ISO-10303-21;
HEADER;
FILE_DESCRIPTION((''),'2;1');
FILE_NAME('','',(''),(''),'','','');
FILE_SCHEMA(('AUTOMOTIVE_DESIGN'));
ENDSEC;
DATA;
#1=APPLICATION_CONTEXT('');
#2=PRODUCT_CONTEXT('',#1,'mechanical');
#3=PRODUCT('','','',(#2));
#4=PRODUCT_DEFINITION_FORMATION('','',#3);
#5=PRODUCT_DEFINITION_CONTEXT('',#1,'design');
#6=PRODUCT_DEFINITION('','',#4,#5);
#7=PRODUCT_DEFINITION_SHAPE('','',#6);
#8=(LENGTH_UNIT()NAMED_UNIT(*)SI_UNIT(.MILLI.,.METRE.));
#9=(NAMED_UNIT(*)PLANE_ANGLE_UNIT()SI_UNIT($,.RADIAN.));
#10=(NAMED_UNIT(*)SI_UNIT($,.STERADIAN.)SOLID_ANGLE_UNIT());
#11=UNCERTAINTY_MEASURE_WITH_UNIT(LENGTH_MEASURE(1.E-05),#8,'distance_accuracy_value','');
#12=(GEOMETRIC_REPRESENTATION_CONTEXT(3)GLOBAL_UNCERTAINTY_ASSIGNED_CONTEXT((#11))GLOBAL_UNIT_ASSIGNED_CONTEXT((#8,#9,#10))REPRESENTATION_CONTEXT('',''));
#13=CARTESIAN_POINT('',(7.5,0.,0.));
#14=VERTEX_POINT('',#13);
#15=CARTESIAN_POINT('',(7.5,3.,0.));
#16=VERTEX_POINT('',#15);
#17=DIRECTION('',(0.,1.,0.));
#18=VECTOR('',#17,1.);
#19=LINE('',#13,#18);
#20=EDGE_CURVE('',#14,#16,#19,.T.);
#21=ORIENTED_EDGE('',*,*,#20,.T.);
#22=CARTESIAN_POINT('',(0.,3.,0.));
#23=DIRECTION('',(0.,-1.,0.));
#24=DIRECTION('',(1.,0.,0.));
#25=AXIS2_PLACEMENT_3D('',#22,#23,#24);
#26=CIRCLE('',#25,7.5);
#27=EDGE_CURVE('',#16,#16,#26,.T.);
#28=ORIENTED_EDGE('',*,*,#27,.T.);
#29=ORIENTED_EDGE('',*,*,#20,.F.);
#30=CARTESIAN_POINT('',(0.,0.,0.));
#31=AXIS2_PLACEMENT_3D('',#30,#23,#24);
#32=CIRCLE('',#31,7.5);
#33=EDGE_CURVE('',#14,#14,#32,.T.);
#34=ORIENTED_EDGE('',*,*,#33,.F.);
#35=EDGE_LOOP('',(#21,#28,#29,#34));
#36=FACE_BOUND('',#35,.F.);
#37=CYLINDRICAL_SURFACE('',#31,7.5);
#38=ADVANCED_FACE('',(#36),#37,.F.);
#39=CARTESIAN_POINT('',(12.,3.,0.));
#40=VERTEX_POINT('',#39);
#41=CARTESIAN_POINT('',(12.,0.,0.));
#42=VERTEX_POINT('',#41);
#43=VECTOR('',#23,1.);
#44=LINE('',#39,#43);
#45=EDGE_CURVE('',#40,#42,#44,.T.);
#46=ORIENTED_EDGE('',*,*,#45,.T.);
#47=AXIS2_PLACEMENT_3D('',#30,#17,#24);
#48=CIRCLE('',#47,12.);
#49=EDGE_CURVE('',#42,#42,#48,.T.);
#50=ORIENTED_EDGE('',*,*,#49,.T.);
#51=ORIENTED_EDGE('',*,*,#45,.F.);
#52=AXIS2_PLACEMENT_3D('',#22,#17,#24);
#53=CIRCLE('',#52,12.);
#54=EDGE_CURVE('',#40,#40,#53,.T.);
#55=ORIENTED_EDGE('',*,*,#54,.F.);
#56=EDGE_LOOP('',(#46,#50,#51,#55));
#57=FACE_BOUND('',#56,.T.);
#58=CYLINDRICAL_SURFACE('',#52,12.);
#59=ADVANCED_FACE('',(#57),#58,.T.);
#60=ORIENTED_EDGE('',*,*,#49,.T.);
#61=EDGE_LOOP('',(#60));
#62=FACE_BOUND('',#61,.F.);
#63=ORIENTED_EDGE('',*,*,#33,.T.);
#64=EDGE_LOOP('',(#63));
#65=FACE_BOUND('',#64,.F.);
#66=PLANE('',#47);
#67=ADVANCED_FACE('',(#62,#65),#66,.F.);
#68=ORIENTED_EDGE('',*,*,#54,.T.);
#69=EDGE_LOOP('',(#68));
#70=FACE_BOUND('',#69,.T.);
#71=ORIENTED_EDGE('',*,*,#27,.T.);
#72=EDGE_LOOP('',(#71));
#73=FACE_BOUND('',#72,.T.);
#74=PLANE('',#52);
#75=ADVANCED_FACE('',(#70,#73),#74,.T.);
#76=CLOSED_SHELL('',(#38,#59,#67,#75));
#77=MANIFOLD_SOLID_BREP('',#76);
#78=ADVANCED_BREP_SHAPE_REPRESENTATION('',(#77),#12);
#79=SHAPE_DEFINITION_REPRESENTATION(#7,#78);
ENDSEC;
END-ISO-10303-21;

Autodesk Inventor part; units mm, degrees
ref_plane "YZ Plane" through (0, 0, 0) normal (1, 0, 0) x (0, 1, 0)
ref_plane "XZ Plane" through (0, 0, 0) normal (0, 1, 0) x (-1, 0, 0)
ref_plane "XY Plane" through (0, 0, 0) normal (0, 0, 1) x (1, 0, 0)
sketch "Sketch1" plane through (0, 0, 0) normal (0, 1, 0) x (-1, 0, 0)
  circle A0 centre (0, 0) radius 7.5
  circle A1 centre (0, 0) radius 10
  dimension "d0" = 15
  dimension "d1" = 20
extrude "Extrusion1" add sketch "Sketch1" along normal blind 3
sketch "Sketch2" plane through (0, 3, 0) normal (0, 1, 0) x (1, 0, 0)
  circle A0 centre (0, 0) radius 9.6429
  circle A1 centre (0, 0) radius 13.5
  circle A2 centre (0, 0) radius 7.5
  dimension "d4" = 27
extrude "Extrusion2" add sketch "Sketch2" against normal up to surface (3 mm away) contours A0 | A1 | A2
sketch "Sketch3" plane through (0, 0, 0) normal (0, -1, 0) x (1, 0, 0)
  circle A0 centre (0, 0) radius 7.5
  dimension "d7" = 15
extrude "Extrusion3" cut sketch "Sketch3" against normal up to surface (3 mm away)
sketch "Sketch4" plane through (0, 3, 0) normal (0, 1, 0) x (1, 0, 0)
  circle A0 centre (0, 0) radius 12
  circle A1 centre (0, 0) radius 13.5
  dimension "d10" = 24
extrude "Extrusion4" cut sketch "Sketch4" against normal up to surface (3 mm away)
properties part number "DedoSoporte"
